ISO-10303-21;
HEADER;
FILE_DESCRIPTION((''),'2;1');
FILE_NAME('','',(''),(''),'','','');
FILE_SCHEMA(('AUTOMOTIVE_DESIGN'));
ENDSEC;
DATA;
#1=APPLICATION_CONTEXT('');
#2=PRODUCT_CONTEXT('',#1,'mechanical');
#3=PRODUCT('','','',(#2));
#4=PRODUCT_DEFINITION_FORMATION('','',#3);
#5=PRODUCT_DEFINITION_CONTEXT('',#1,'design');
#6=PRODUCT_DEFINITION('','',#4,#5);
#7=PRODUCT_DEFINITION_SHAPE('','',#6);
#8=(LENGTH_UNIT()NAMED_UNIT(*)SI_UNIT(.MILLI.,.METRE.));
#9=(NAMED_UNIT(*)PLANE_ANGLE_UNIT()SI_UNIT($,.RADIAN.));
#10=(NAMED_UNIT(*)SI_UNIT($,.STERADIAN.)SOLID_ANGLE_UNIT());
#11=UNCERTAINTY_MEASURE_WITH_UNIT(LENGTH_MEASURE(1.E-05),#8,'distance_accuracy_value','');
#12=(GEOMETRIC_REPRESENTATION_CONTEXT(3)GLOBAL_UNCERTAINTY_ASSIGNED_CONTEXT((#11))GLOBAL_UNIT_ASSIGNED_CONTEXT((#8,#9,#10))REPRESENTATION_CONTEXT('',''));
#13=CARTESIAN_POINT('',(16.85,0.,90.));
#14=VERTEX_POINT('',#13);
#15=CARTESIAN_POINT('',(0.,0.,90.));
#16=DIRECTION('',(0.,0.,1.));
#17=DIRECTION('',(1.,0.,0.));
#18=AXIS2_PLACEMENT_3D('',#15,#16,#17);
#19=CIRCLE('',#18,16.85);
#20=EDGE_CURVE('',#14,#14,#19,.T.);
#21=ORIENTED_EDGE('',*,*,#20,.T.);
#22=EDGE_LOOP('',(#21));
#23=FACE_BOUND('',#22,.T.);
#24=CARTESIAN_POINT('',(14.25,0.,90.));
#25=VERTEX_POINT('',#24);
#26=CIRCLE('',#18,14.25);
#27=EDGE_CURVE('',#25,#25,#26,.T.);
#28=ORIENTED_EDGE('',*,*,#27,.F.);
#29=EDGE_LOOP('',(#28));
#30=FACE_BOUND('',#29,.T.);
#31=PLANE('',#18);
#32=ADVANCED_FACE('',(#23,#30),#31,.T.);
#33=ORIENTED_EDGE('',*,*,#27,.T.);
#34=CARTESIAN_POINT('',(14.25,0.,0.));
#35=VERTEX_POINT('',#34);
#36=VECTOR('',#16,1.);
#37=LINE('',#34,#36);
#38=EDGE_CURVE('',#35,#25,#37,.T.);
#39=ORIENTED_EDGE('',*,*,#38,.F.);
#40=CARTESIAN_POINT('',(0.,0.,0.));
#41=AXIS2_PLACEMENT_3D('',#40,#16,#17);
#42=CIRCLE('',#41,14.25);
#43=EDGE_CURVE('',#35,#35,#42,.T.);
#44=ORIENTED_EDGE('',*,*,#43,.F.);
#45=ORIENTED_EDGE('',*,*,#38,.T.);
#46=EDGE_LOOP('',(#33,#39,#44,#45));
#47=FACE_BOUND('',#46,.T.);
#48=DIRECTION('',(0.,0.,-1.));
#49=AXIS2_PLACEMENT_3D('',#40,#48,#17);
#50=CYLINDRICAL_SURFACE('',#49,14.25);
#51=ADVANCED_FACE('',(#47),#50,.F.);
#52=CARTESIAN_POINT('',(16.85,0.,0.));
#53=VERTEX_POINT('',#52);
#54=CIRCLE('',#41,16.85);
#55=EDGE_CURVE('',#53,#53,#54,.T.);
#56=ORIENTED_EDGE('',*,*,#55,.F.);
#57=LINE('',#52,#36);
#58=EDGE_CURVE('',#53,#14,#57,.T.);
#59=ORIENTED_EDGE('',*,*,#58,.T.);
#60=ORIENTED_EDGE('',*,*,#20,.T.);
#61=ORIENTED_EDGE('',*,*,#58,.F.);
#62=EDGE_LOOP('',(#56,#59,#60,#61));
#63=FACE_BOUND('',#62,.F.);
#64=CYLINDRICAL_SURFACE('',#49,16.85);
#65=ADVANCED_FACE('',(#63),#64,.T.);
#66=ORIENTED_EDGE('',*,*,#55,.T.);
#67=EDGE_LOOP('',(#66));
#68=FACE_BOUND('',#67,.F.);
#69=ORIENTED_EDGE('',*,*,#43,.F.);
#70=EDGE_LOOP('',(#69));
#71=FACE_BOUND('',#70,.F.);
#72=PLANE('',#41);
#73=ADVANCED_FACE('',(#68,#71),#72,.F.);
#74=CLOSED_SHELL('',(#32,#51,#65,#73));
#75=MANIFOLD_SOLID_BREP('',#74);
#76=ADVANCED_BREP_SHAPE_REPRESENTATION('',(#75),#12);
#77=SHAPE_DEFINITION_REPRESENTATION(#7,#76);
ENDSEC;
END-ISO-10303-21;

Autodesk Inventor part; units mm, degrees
ref_plane "YZ Plane" through (0, 0, 0) normal (1, 0, 0) x (0, 1, 0)
ref_plane "Start Plane" through (0, 0, 0) normal (0, 0, 1) x (1, 0, 0)
ref_plane "End Plane" through (0, 0, 90) normal (0, 0, 1) x (1, 0, 0)
sketch "Sketch" plane through (0, 0, 0) normal (0, 0, 1) x (1, 0, 0)
  circle A0 centre (0, 0) radius 14.25
  circle A1 centre (0, 0) radius 16.85
  dimension "d0" = 33.7
  dimension "d1" = 2.6
extrude "Body" add sketch "Sketch" along normal up to surface (90 mm away) from surface at 0
sketch "Sketch3" plane through (0, 0, 0) normal (0, 0, 1) x (1, 0, 0)
  line L0 (0, 0) -> (10, 0)
ref_plane "Work Plane3" through (0, 0, 0) normal (0, -1, 0) x (1, 0, 0)
sketch "Sketch4" plane through (0, 0, 0) normal (0, -1, 0) x (1, 0, 0)
  line L0 (-2, 0) -> (12, 0)
  line L1 (-2, 90) -> (12, 90)
  dimension "d7" = 90
equation "\"d0\" = G_H"
equation "\"d1\" = G_T"
equation "\"d2\" = G_L"
equation "\"G_H\" = 33.7"
equation "\"G_T\" = 2.6"
equation "\"G_L\" = d7"
equation "\"G_OFFSET_START\" = 0"
equation "\"G_OFFSET_END\" = 0"
properties part number "ISO 12633-2 - 33,7 x 2,6 - 90" material "Steel, Mild"
